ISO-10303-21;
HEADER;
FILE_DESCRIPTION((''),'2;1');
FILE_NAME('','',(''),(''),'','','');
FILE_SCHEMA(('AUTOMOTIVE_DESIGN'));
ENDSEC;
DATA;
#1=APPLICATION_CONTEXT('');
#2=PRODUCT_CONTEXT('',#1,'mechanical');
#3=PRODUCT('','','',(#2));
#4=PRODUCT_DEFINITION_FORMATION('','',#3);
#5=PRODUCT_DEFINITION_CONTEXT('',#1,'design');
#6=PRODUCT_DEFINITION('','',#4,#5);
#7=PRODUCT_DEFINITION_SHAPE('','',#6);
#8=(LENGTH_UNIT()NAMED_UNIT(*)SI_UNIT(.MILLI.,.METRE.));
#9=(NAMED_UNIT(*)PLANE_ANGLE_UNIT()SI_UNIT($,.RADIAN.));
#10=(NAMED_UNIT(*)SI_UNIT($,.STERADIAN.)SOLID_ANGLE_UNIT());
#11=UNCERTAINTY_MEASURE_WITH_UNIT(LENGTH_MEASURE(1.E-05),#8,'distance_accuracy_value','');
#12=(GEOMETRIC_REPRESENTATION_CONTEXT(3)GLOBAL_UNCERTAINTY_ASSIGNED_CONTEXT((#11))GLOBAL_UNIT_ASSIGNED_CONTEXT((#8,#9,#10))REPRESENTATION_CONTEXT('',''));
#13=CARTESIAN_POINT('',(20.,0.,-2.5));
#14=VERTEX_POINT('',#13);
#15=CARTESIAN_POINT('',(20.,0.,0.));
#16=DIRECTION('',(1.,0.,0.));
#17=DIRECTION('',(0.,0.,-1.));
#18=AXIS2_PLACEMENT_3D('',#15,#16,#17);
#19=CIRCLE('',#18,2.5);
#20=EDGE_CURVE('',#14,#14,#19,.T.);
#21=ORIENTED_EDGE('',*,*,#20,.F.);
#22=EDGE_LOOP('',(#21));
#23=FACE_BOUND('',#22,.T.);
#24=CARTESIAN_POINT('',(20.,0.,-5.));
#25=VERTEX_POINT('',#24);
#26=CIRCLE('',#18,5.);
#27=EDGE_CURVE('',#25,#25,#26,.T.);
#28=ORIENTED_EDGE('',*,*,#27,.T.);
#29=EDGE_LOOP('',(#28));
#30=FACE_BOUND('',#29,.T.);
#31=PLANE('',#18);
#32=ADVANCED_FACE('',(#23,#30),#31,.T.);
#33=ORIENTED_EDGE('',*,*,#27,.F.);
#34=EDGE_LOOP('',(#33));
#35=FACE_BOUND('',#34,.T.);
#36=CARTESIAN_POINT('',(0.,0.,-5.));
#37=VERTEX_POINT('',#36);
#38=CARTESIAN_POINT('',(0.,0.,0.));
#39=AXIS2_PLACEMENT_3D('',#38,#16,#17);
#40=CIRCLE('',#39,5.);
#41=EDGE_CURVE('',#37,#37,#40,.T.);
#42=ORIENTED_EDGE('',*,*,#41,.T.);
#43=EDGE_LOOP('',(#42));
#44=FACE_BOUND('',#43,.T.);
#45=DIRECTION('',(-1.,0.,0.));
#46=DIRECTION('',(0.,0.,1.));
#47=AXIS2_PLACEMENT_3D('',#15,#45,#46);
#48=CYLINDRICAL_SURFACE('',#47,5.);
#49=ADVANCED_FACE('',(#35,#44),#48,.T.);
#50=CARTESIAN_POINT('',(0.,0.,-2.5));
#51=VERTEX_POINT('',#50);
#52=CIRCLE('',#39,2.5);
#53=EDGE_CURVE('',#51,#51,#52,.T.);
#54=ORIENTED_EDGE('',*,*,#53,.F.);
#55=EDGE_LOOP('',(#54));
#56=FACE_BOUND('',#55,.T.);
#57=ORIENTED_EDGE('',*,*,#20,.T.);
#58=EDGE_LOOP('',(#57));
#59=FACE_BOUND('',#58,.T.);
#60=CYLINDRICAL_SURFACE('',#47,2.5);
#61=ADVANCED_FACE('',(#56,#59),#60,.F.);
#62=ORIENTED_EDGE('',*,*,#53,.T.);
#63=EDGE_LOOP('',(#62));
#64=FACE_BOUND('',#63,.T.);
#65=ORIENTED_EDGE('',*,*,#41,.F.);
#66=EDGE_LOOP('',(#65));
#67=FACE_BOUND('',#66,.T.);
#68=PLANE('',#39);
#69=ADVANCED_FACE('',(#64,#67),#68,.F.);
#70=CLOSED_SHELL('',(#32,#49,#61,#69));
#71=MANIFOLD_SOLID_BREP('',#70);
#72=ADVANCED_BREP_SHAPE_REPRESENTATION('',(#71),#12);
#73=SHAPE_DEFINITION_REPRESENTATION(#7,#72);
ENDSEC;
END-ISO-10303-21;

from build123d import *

# Parameters (mm, degrees)
SKETCH1_R           = 5
SKETCH1_R_2         = 2.5
BOSS_EXTRUDE1_DEPTH = 20


with BuildPart() as part:
    # Sketch1 → Boss-Extrude1 (new body)
    with BuildSketch(Plane(origin=(0, 0, 0), x_dir=(0, 0, -1), z_dir=(1, 0, 0))):
        Circle(SKETCH1_R)
        Circle(SKETCH1_R_2, mode=Mode.SUBTRACT)
    extrude(amount=BOSS_EXTRUDE1_DEPTH)


solid = part.part
